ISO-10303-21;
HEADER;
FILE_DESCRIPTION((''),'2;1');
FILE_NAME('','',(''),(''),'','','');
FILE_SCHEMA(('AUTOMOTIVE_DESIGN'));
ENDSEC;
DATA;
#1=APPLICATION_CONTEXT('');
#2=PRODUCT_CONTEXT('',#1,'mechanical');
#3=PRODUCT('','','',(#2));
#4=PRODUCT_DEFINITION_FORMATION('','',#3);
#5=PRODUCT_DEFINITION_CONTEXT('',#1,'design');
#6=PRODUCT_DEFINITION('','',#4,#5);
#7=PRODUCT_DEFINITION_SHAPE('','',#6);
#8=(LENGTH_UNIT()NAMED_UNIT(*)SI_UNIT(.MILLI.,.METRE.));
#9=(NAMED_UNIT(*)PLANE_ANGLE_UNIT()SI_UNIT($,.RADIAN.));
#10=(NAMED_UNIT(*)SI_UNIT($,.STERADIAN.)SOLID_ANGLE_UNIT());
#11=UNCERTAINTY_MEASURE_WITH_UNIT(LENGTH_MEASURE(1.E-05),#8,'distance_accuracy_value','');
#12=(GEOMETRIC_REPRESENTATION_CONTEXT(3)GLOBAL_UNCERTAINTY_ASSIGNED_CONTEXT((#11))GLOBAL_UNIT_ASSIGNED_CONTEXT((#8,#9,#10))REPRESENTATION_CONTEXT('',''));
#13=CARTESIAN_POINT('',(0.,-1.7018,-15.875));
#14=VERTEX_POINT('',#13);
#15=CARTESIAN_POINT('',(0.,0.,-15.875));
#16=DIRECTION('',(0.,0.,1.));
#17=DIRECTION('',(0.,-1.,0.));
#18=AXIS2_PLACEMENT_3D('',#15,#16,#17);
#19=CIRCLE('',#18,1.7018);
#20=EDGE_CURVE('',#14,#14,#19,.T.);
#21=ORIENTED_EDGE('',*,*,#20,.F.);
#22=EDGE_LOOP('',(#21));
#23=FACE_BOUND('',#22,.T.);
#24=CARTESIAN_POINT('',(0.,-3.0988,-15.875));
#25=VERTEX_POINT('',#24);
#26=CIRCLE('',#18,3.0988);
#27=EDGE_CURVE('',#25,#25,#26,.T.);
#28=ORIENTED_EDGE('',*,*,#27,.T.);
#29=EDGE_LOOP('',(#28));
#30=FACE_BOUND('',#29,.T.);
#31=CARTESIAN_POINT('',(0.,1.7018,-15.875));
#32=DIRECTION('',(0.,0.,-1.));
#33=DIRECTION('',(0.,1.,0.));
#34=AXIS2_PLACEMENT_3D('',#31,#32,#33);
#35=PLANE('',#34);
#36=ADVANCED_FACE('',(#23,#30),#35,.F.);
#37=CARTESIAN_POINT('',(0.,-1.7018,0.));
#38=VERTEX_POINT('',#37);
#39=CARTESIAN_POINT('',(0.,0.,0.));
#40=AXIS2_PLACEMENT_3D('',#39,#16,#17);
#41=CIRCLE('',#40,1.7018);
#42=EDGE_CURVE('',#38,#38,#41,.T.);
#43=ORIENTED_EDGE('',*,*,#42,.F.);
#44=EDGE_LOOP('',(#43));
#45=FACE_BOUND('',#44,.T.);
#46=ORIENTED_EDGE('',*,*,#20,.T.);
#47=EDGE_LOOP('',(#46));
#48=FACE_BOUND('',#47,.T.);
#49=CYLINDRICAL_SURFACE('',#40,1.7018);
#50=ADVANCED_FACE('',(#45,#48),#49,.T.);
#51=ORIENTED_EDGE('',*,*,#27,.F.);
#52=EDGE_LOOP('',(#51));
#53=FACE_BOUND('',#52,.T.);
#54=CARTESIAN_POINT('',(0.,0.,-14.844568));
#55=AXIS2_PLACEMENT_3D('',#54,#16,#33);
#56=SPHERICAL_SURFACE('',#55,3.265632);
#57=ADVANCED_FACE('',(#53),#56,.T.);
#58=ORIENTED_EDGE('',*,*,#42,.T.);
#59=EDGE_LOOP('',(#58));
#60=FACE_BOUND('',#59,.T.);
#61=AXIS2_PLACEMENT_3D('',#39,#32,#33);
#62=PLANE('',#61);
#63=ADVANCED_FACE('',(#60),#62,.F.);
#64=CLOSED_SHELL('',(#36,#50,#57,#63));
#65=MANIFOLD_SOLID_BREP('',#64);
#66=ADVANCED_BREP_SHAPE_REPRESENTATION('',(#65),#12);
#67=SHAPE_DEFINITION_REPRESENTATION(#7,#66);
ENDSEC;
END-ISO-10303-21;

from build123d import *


with BuildPart() as part:
    # Sketch2 → Revolve1 (revolve)
    with BuildSketch(Plane(origin=(0, 0, 0), x_dir=(0, 0, -1), z_dir=(1, 0, 0))):
        with BuildLine():
            Line((0, 0), (0, 1.7018))
            Line((0, 1.7018), (15.875, 1.7018))
            Line((15.875, 1.7018), (15.875, 3.0988))
            ThreePointArc((15.875, 3.0988), (17.493092498, 1.910410982), (18.1102, 0))
            Line((18.1102, 0), (0, 0))
        make_face()
    revolve(axis=Axis((0, 0, 0), (0, 0, -1)))


solid = part.part
